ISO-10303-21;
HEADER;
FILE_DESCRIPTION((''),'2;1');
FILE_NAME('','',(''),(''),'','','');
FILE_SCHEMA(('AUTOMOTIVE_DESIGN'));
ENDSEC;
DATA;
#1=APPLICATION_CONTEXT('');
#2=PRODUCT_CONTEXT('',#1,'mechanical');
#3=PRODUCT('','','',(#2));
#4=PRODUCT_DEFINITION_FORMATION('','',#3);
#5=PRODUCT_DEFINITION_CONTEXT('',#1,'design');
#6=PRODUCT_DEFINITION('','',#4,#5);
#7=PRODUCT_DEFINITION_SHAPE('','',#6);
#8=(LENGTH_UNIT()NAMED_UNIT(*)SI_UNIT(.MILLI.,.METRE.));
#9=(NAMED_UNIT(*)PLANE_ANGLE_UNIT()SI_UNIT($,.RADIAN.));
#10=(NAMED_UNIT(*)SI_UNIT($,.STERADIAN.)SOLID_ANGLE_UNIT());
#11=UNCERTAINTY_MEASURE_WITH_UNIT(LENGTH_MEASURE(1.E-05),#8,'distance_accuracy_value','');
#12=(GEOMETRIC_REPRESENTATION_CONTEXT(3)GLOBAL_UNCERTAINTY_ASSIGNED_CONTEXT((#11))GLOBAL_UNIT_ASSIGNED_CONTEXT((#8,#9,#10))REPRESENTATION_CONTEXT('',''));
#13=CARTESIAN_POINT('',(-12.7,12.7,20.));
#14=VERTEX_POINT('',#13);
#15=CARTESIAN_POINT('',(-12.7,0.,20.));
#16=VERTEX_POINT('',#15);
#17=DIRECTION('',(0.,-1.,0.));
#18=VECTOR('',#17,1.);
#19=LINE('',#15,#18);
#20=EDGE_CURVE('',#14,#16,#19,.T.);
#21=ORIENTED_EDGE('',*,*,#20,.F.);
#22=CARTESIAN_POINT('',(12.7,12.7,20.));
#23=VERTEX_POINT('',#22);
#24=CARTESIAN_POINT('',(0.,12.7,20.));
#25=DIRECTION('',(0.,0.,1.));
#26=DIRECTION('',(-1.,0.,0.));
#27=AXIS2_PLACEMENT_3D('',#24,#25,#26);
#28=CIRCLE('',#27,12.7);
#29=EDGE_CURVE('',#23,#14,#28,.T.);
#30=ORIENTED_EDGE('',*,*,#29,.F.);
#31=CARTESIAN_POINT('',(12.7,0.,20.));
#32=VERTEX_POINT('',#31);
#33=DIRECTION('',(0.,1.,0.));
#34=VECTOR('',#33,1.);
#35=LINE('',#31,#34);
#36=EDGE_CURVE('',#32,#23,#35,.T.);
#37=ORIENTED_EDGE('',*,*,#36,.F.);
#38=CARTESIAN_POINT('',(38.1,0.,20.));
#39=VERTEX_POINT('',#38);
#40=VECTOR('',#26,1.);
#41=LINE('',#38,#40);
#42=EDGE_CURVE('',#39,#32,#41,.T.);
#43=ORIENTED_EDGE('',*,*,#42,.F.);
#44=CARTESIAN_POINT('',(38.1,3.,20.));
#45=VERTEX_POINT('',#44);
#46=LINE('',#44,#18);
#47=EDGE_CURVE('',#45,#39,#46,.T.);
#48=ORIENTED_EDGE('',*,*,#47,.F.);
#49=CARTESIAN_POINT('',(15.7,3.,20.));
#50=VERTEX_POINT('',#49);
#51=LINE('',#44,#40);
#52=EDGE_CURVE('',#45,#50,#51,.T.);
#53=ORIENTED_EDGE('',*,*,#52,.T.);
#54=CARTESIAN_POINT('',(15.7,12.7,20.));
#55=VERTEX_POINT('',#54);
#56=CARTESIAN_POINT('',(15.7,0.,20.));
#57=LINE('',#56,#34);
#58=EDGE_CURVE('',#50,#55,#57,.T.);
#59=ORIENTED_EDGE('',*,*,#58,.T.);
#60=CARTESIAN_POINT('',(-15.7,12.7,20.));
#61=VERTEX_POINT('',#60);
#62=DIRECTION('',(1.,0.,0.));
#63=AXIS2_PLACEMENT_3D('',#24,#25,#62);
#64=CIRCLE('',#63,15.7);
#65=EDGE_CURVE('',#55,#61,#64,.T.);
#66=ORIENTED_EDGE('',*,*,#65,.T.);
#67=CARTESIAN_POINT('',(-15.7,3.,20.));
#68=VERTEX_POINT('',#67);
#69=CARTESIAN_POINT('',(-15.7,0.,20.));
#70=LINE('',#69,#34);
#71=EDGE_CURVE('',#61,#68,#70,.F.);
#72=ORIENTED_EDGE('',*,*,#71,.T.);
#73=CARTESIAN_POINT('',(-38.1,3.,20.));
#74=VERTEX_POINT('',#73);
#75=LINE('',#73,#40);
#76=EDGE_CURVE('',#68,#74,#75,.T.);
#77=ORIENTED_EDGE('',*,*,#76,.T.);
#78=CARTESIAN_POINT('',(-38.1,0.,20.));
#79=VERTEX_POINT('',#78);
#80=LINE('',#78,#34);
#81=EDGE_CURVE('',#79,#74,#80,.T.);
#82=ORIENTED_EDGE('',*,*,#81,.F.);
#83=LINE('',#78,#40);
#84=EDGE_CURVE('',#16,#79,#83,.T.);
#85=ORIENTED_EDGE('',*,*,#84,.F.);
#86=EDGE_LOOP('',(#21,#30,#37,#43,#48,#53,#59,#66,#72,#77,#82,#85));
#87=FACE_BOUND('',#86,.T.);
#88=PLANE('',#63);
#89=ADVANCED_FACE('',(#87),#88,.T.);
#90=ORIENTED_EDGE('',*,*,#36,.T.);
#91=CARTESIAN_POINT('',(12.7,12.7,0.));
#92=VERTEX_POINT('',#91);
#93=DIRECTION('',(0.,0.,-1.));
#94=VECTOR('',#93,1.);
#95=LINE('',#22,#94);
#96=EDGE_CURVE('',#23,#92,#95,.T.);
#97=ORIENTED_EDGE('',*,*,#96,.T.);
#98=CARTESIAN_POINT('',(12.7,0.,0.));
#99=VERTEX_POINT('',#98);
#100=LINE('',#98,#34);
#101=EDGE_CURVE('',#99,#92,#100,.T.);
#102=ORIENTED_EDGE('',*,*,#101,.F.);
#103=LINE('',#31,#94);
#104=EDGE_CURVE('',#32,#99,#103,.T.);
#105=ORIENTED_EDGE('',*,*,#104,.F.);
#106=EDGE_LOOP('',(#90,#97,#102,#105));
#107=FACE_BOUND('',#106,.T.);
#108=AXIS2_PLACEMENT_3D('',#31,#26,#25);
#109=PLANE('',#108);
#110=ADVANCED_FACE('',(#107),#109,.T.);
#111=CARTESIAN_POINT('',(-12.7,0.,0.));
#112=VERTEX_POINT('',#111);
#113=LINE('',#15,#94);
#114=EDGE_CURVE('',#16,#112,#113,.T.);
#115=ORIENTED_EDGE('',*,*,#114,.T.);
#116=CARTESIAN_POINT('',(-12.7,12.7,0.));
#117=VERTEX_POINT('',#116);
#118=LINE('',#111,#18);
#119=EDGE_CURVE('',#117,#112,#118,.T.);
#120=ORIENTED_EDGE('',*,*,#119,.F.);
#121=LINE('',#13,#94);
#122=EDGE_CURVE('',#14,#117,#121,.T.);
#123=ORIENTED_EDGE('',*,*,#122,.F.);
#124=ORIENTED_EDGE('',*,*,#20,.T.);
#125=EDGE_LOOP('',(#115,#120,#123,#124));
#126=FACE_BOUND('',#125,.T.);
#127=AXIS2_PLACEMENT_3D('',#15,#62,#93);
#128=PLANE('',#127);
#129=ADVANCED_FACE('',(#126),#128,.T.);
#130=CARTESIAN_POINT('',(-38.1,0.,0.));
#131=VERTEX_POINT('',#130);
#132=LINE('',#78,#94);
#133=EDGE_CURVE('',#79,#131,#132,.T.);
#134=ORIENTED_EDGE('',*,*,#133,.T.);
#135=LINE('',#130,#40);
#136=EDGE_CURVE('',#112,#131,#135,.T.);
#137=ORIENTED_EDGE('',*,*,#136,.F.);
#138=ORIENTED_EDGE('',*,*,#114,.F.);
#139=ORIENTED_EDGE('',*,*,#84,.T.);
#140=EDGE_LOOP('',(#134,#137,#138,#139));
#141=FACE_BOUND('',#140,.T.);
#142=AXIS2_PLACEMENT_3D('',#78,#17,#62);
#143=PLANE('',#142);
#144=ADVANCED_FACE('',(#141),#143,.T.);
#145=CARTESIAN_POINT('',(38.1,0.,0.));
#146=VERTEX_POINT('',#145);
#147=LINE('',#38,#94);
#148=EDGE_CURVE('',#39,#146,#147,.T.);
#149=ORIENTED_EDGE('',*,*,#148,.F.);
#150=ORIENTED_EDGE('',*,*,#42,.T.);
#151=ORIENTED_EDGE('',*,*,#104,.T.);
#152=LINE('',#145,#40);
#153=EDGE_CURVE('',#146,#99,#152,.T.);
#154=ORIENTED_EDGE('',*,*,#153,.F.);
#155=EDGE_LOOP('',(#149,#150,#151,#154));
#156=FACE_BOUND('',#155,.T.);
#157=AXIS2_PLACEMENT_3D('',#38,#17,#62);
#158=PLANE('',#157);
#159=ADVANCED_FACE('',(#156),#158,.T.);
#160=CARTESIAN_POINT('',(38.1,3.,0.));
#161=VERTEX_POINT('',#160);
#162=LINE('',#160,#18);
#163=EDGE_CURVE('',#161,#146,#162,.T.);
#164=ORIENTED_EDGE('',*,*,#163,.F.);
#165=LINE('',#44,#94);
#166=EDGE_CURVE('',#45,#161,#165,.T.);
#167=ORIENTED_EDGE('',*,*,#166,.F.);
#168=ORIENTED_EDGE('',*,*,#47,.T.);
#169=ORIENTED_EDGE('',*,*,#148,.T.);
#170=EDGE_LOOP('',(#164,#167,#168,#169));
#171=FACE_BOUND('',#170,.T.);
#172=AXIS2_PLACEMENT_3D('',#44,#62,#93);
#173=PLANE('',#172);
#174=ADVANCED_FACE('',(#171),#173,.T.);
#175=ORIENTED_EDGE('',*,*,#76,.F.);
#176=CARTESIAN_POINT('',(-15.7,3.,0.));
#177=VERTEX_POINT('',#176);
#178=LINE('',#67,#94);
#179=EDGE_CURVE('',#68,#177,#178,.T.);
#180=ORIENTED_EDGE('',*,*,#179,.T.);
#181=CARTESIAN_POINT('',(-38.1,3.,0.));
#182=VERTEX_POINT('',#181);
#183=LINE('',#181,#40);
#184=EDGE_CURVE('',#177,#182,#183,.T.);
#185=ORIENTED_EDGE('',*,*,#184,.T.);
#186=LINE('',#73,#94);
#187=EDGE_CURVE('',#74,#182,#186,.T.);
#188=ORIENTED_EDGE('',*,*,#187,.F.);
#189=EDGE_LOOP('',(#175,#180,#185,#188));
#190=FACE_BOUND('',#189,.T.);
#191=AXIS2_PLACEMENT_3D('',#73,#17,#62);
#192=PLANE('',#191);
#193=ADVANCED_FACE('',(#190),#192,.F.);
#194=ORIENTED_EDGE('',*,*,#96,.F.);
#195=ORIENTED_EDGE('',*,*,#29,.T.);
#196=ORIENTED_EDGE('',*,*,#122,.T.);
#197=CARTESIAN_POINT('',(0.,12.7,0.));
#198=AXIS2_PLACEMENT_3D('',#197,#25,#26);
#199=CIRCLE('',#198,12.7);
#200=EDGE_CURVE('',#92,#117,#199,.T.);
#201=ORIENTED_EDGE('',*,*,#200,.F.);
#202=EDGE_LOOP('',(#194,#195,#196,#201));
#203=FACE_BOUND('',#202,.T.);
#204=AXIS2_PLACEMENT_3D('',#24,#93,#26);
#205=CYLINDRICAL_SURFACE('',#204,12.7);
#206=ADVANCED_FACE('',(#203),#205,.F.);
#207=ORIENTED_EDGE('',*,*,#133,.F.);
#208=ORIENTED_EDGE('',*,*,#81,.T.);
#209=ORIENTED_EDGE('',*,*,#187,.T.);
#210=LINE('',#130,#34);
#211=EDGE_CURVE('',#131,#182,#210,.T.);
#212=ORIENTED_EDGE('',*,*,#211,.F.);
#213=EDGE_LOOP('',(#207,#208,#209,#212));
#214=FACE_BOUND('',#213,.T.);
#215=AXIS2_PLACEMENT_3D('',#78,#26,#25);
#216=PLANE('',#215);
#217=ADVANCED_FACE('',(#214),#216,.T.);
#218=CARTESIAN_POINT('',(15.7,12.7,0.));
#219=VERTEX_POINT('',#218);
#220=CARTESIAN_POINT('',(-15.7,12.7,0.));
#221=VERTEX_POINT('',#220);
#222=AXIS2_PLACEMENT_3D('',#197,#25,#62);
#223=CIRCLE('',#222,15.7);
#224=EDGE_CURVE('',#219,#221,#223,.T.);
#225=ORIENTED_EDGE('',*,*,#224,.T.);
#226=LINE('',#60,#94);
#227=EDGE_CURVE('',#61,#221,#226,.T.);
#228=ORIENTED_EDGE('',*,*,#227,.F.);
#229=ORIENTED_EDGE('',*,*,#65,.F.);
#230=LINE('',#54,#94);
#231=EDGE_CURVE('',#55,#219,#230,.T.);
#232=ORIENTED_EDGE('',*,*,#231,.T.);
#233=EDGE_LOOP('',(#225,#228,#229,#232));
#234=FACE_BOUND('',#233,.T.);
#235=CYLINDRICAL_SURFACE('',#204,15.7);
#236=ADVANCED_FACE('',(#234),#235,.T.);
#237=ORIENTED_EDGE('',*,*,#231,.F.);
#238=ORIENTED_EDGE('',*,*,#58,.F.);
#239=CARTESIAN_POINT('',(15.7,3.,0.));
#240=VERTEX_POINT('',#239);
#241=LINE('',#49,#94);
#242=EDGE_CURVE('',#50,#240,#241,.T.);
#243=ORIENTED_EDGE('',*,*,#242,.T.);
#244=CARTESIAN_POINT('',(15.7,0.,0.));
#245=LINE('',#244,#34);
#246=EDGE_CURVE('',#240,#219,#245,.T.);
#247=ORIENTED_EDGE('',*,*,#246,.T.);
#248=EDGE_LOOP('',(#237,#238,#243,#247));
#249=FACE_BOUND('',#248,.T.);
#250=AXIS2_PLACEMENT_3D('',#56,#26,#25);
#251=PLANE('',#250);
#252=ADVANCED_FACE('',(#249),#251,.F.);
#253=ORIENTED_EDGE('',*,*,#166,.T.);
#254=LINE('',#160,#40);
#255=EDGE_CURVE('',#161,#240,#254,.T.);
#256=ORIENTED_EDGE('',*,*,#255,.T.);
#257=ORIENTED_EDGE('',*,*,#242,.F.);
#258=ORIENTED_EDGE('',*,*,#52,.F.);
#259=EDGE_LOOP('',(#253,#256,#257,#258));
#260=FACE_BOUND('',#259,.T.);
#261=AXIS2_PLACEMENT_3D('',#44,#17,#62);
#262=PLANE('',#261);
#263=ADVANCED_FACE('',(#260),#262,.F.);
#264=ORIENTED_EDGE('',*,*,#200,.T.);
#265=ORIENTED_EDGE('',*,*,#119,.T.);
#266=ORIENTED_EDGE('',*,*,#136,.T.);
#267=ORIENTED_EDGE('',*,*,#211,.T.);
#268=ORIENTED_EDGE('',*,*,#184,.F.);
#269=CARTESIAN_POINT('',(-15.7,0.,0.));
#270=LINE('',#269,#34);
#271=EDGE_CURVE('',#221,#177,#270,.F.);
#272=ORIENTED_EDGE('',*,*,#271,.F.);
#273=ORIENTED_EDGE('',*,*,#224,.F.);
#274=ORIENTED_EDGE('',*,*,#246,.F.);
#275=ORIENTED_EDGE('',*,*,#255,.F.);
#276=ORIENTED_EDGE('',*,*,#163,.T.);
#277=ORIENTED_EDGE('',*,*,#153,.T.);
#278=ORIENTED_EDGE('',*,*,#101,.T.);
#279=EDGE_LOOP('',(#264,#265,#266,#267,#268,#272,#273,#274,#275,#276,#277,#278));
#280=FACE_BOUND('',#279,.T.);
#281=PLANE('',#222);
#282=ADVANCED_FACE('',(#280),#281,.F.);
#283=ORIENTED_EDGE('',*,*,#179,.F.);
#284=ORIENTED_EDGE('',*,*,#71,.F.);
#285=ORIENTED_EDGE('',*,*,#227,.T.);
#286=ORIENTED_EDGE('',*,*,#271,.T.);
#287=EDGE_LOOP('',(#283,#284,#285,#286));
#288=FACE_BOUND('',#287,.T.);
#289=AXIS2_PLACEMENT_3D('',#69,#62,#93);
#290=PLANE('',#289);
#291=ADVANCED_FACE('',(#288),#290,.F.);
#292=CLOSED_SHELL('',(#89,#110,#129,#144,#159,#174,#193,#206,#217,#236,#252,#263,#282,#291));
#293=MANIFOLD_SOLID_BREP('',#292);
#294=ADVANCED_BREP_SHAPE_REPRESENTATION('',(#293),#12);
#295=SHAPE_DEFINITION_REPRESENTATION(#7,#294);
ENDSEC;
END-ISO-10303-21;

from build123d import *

# Parameters (mm, degrees)
EXTRUDE_THIN1_DEPTH = 20


with BuildPart() as part:
    # Sketch1 → Extrude-Thin1 (new body)
    with BuildSketch(Plane.XY):
        with BuildLine():
            Line((-38.1, 0), (-12.7, 0))
            Line((-12.7, 0), (-12.7, 12.7))
            ThreePointArc((-12.7, 12.7), (0, 25.4), (12.7, 12.7))
            Line((12.7, 12.7), (12.7, 0))
            Line((12.7, 0), (38.1, 0))
            Line((38.1, 0), (38.1, 3))
            Line((38.1, 3), (15.7, 3))
            Line((15.7, 3), (15.7, 12.7))
            ThreePointArc((15.7, 12.7), (0, 28.4), (-15.7, 12.7))
            Line((-15.7, 12.7), (-15.7, 3))
            Line((-15.7, 3), (-38.1, 3))
            Line((-38.1, 3), (-38.1, 0))
        make_face()
    extrude(amount=EXTRUDE_THIN1_DEPTH)


solid = part.part
